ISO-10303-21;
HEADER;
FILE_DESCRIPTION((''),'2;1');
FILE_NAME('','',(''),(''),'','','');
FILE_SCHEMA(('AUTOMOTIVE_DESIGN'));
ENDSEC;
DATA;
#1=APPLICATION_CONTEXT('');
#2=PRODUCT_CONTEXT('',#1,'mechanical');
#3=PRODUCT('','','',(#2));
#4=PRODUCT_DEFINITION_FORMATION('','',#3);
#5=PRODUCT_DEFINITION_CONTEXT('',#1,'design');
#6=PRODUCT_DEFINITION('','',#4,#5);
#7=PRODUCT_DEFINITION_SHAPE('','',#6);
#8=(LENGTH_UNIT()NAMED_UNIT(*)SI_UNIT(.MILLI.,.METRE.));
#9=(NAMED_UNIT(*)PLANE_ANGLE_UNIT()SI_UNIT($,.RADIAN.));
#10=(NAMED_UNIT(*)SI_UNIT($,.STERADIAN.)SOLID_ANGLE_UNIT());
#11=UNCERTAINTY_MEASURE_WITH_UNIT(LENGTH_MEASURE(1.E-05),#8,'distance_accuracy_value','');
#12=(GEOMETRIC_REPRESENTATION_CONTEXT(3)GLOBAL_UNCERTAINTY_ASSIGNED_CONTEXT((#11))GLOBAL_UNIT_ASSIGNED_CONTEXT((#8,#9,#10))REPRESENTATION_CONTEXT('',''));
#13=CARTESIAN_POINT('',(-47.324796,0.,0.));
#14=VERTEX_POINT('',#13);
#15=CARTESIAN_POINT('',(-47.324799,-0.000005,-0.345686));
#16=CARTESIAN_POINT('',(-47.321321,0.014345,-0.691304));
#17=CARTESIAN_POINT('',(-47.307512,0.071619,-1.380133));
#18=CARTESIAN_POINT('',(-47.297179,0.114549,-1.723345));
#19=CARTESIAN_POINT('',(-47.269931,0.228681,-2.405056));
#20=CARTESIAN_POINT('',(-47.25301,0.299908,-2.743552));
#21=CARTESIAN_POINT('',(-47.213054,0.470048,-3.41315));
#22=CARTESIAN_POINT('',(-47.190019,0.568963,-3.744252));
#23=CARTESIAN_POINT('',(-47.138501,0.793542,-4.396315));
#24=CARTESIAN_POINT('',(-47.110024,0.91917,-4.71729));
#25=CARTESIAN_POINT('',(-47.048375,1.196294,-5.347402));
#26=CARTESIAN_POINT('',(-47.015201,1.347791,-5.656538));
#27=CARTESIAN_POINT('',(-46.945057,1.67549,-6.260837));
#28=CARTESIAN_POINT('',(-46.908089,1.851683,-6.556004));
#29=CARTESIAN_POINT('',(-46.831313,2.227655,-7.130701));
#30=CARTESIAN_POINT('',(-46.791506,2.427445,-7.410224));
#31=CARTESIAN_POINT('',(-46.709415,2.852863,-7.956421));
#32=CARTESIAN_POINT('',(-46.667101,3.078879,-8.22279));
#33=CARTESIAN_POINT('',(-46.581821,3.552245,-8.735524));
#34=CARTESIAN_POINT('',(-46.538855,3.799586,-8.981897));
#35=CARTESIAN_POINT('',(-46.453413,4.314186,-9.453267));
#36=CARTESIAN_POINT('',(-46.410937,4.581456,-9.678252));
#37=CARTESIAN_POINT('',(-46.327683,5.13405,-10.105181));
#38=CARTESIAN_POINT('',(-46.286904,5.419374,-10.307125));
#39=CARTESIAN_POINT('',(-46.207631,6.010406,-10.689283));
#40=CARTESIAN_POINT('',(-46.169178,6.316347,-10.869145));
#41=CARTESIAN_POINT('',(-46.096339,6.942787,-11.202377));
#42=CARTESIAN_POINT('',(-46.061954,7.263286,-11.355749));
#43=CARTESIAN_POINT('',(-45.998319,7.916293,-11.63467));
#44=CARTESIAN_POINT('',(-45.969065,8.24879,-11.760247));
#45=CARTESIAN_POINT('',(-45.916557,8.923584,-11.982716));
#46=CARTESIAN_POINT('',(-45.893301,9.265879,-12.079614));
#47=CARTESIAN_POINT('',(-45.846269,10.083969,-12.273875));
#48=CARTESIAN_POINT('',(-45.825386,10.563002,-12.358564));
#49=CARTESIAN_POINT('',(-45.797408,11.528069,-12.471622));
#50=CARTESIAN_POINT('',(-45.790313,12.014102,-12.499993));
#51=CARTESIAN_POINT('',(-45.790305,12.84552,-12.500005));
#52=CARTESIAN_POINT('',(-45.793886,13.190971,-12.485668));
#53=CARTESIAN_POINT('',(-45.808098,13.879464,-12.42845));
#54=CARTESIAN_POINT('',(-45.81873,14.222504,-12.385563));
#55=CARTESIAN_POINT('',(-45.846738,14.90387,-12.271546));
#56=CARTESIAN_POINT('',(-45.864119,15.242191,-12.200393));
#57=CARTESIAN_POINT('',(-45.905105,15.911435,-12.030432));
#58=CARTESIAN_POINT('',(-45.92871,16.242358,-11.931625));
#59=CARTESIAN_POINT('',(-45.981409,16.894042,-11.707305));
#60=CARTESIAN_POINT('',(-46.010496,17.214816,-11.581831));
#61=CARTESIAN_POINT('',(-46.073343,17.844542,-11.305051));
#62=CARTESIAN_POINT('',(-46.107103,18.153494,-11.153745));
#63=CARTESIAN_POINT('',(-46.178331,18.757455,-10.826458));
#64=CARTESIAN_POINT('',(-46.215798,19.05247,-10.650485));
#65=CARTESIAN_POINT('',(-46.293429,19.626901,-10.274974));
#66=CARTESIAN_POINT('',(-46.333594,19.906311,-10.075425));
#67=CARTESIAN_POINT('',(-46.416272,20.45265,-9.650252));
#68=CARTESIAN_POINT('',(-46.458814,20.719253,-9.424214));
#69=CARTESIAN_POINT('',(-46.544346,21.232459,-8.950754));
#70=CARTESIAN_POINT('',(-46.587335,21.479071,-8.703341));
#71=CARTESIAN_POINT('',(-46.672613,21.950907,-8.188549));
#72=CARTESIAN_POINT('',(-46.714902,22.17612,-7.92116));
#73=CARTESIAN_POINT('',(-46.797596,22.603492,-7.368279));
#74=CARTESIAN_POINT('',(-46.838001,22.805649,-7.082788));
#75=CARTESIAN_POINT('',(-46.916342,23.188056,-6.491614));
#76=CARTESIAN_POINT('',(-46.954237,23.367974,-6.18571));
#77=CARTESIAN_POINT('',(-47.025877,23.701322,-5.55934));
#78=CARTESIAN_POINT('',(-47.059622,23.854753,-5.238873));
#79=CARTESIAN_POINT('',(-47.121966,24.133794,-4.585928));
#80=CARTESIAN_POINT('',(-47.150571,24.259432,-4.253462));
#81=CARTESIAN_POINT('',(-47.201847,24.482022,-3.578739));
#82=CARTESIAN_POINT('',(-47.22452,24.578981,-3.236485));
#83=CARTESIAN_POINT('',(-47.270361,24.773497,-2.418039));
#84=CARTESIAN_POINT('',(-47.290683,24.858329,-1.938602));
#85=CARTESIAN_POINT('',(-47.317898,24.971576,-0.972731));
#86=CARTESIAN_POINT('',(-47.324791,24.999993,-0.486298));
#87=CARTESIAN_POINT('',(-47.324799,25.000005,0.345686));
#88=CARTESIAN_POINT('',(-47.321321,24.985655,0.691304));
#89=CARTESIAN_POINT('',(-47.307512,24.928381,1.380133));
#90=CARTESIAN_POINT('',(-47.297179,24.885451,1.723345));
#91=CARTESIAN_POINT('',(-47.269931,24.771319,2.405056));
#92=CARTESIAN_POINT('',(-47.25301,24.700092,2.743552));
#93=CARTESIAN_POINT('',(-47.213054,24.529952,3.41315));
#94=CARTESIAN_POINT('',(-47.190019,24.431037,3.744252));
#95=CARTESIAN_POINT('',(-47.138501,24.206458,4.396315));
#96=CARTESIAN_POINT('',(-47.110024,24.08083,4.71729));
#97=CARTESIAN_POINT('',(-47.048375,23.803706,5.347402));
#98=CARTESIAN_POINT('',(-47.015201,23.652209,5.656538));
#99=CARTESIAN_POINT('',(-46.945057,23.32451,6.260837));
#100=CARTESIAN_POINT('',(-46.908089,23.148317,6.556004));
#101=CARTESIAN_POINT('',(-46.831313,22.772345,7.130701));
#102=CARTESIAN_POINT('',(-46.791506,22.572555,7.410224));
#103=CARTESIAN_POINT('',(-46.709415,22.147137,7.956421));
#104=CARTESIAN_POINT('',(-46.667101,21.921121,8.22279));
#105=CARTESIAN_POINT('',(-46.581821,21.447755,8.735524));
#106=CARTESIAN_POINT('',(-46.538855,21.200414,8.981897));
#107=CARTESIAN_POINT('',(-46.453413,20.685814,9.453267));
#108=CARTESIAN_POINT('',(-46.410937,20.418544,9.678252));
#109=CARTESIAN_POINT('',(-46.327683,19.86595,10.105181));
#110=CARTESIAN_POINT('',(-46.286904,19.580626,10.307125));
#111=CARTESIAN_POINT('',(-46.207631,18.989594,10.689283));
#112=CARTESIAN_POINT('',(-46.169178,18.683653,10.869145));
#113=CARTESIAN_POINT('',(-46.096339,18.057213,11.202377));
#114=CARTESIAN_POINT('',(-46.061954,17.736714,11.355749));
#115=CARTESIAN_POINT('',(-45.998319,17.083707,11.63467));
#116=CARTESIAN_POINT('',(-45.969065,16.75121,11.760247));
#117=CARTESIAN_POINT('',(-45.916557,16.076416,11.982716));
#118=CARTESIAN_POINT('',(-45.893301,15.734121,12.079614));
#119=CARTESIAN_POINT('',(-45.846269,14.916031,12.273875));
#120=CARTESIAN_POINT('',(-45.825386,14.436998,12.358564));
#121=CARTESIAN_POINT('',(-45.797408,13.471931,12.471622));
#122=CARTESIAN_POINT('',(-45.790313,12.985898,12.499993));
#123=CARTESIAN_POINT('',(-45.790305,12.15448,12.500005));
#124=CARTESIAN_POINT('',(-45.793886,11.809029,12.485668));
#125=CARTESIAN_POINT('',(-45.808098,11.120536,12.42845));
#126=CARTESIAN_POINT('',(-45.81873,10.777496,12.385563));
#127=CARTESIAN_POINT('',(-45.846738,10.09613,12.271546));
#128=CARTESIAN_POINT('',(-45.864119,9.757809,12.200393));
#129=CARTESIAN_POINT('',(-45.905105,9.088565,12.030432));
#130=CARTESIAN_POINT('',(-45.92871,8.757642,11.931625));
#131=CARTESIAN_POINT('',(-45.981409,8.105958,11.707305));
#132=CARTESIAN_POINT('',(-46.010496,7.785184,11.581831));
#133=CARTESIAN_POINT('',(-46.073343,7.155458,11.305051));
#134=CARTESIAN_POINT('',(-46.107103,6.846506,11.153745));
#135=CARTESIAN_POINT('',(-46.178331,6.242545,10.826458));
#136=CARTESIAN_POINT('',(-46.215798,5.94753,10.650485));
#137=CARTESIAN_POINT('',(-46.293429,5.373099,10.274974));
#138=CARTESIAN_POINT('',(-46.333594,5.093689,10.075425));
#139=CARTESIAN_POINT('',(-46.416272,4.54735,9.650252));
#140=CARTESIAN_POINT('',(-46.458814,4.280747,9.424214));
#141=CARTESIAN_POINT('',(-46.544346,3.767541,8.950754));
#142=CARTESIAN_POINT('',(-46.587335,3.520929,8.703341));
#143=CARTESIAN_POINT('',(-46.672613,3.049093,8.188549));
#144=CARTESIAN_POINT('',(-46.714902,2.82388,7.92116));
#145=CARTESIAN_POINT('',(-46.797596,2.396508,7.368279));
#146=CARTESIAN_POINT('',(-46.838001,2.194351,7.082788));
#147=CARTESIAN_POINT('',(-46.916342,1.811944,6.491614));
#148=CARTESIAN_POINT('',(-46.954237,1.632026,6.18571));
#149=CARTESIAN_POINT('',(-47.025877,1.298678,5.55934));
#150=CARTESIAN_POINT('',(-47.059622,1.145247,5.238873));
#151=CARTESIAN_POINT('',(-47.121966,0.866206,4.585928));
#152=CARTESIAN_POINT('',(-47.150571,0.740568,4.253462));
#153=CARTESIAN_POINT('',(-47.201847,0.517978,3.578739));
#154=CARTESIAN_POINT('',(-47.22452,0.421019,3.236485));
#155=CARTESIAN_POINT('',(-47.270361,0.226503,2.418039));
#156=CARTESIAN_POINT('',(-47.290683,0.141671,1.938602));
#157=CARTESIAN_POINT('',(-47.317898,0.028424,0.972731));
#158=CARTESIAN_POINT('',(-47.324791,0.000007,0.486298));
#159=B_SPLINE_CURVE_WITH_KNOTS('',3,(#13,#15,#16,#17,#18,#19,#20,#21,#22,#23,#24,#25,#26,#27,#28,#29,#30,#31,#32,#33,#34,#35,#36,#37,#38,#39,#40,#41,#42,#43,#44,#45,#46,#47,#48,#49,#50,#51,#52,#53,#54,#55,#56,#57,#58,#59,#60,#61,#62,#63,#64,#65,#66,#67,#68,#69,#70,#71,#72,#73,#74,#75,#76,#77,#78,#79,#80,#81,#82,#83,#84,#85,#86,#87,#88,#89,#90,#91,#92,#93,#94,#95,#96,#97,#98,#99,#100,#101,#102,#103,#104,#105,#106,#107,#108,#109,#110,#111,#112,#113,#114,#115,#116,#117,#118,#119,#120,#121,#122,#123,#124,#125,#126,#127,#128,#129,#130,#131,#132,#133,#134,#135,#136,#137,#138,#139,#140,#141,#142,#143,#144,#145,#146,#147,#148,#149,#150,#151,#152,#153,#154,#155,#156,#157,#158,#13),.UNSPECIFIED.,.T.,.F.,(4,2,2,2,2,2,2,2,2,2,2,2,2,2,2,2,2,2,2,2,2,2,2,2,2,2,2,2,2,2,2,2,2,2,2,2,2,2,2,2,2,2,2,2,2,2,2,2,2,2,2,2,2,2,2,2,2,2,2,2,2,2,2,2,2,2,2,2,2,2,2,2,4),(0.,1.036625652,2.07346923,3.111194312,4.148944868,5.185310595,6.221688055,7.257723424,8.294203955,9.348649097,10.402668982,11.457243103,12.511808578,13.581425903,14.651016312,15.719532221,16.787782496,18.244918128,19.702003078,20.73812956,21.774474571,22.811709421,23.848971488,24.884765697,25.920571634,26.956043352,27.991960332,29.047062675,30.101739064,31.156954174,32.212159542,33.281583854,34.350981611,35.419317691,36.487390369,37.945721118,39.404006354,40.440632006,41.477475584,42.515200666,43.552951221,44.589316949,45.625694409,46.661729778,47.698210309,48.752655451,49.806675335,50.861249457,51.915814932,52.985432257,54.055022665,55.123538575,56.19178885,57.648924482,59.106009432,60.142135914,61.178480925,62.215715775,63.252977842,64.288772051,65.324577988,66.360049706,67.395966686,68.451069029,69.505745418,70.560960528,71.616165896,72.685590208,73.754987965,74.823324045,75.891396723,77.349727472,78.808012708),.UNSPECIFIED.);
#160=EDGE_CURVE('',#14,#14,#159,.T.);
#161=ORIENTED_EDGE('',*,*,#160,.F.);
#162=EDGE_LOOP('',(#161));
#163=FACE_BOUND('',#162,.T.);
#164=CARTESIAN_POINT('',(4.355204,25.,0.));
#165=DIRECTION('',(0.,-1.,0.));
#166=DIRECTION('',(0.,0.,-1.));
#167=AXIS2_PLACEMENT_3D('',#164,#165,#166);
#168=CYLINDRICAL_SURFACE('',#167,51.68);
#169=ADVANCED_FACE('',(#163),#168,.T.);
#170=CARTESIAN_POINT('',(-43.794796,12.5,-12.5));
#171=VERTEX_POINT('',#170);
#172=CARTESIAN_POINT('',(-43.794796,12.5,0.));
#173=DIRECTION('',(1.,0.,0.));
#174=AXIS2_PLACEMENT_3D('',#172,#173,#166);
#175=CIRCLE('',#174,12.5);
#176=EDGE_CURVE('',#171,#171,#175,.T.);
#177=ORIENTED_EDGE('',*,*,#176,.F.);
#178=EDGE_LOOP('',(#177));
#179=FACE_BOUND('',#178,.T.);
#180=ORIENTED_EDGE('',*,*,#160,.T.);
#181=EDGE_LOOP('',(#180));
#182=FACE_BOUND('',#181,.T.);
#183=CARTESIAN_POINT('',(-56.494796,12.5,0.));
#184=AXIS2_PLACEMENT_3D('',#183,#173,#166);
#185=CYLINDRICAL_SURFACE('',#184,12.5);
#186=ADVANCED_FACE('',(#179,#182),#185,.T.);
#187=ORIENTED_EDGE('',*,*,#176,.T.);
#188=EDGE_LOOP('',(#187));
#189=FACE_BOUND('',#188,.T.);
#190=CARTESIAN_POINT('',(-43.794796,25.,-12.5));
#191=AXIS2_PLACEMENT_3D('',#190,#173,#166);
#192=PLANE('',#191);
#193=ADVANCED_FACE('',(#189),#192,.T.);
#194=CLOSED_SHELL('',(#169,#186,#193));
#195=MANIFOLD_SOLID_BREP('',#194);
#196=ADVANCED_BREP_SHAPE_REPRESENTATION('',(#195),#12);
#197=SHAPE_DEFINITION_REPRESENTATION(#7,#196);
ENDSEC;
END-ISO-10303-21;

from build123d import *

# Parameters (mm, degrees)
EXTRUDE_1_DEPTH     = 25
CUT_EXTRUDE_8_DEPTH = 12.7


with BuildPart() as part:
    # 草图1 → 凸台-拉伸1 (new body)
    with BuildSketch(Plane(origin=(0, 0, 0), x_dir=(1, 0, 0), z_dir=(0, 1, 0))):
        with BuildLine():
            Line((-45.790307927, 12.5), (-43.794795665, 12.5))
            Line((-43.794795665, 12.5), (-43.794795665, -12.5))
            Line((-43.794795665, -12.5), (-45.790307927, -12.5))
            ThreePointArc((-45.790307927, -12.5), (-47.324795665, 0), (-45.790307927, 12.5))
        make_face()
    extrude(amount=EXTRUDE_1_DEPTH)

    # 草图2 → 切除-拉伸8 (cut)
    with BuildSketch(Plane(origin=(-43.794795665, 0, 0), x_dir=(0, 0, -1), z_dir=(1, 0, 0))):
        with BuildLine():
            Line((-12.5, 25), (-12.5, 12.5))
            ThreePointArc((-12.5, 12.5), (-8.838834765, 21.338834765), (0, 25))
            Line((0, 25), (-12.5, 25))
        make_face()
        with BuildLine():
            ThreePointArc((0, 25), (8.838834765, 21.338834765), (12.5, 12.5))
            Line((12.5, 12.5), (12.5, 25))
            Line((12.5, 25), (0, 25))
        make_face()
        with BuildLine():
            ThreePointArc((12.5, 12.5), (8.838834765, 3.661165235), (0, 0))
            Line((0, 0), (12.5, 0))
            Line((12.5, 0), (12.5, 12.5))
        make_face()
        with BuildLine():
            Line((-12.5, 12.5), (-12.5, 0))
            Line((-12.5, 0), (0, 0))
            ThreePointArc((0, 0), (-8.838834765, 3.661165235), (-12.5, 12.5))
        make_face()
    extrude(amount=-CUT_EXTRUDE_8_DEPTH, mode=Mode.SUBTRACT)


solid = part.part
